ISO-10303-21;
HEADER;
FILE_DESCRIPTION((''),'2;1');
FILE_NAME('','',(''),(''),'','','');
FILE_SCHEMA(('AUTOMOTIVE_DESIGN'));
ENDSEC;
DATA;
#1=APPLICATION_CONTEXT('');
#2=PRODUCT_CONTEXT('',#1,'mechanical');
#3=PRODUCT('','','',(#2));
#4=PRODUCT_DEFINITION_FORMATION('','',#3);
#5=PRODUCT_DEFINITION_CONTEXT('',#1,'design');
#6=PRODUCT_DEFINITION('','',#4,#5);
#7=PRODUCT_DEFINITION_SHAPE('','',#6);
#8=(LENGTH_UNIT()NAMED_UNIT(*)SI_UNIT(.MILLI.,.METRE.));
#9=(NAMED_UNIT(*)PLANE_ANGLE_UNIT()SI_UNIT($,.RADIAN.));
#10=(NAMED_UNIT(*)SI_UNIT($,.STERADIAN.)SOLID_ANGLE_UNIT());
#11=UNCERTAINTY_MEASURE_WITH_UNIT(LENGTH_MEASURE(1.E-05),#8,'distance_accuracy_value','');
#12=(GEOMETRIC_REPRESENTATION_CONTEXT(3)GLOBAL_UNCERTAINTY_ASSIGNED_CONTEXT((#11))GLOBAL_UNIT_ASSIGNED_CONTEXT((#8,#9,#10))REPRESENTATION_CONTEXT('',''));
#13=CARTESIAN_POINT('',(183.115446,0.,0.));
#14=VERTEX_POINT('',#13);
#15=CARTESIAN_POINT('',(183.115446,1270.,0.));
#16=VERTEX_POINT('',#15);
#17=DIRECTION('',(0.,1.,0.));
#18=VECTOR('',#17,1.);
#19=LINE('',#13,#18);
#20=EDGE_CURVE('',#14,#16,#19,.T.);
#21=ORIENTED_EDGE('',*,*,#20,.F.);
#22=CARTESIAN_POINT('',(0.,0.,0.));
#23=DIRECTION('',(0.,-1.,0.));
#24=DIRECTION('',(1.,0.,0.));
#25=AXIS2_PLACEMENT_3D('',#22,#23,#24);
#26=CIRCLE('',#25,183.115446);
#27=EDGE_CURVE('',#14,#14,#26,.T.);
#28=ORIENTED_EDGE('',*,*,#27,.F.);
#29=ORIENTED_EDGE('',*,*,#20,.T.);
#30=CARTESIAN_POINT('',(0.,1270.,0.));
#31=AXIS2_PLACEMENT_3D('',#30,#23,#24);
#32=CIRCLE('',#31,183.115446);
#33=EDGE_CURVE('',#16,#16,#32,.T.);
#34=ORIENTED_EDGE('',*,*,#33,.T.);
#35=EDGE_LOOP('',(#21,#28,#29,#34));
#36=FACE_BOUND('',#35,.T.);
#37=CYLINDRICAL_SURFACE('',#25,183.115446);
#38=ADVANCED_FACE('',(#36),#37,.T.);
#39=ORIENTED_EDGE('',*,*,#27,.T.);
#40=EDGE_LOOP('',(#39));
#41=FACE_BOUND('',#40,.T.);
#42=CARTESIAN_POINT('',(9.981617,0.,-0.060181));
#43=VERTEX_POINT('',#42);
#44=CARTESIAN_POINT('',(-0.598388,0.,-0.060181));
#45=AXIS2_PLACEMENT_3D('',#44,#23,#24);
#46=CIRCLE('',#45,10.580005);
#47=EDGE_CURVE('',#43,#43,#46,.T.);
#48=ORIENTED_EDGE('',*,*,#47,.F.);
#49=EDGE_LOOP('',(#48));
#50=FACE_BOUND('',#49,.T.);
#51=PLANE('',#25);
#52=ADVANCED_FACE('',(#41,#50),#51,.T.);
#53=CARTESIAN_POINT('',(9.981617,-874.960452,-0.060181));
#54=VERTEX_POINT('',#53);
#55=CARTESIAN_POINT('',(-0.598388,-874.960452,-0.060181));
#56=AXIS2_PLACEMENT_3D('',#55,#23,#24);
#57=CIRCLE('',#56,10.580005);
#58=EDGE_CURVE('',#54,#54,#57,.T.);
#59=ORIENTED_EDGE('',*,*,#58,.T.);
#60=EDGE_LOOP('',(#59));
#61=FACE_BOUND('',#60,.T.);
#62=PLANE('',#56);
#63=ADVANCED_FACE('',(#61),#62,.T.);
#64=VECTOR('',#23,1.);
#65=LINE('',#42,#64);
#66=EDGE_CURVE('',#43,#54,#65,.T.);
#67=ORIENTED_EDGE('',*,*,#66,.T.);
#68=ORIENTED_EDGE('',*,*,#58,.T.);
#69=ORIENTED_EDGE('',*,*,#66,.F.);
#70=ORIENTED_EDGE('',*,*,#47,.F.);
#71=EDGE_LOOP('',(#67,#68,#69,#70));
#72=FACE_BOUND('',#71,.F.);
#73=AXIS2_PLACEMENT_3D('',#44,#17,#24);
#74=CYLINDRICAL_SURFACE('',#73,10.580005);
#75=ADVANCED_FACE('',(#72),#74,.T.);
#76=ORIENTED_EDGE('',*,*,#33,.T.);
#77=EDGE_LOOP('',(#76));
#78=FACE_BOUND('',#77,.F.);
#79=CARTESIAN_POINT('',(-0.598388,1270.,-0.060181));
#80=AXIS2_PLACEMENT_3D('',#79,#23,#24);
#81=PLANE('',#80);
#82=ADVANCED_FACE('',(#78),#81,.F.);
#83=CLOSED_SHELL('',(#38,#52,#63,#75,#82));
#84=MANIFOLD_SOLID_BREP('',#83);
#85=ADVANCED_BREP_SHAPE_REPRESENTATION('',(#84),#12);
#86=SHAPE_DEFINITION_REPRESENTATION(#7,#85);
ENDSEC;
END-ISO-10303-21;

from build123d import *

# Parameters (mm, degrees)
F4_R          = 183.115446
F5_DEPTH      = 1270
F0_R          = 10.580005
F1_DEPTH      = 874.960452
F1_DEPTH_BACK = 1270


with BuildPart() as f5:
    # F4 (on Front) → F5 (new body)
    with BuildSketch(Plane.XZ):
        Circle(F4_R)
    extrude(amount=-F5_DEPTH)

    # F0 (on face) → F1 (join, two sides)
    with BuildSketch(Plane.XZ) as f1_sk:
        with Locations((-0.598388, -0.060181)):
            Circle(F0_R)
    extrude(amount=F1_DEPTH)
    extrude(f1_sk.sketch, amount=-F1_DEPTH_BACK)


solid = f5.part
